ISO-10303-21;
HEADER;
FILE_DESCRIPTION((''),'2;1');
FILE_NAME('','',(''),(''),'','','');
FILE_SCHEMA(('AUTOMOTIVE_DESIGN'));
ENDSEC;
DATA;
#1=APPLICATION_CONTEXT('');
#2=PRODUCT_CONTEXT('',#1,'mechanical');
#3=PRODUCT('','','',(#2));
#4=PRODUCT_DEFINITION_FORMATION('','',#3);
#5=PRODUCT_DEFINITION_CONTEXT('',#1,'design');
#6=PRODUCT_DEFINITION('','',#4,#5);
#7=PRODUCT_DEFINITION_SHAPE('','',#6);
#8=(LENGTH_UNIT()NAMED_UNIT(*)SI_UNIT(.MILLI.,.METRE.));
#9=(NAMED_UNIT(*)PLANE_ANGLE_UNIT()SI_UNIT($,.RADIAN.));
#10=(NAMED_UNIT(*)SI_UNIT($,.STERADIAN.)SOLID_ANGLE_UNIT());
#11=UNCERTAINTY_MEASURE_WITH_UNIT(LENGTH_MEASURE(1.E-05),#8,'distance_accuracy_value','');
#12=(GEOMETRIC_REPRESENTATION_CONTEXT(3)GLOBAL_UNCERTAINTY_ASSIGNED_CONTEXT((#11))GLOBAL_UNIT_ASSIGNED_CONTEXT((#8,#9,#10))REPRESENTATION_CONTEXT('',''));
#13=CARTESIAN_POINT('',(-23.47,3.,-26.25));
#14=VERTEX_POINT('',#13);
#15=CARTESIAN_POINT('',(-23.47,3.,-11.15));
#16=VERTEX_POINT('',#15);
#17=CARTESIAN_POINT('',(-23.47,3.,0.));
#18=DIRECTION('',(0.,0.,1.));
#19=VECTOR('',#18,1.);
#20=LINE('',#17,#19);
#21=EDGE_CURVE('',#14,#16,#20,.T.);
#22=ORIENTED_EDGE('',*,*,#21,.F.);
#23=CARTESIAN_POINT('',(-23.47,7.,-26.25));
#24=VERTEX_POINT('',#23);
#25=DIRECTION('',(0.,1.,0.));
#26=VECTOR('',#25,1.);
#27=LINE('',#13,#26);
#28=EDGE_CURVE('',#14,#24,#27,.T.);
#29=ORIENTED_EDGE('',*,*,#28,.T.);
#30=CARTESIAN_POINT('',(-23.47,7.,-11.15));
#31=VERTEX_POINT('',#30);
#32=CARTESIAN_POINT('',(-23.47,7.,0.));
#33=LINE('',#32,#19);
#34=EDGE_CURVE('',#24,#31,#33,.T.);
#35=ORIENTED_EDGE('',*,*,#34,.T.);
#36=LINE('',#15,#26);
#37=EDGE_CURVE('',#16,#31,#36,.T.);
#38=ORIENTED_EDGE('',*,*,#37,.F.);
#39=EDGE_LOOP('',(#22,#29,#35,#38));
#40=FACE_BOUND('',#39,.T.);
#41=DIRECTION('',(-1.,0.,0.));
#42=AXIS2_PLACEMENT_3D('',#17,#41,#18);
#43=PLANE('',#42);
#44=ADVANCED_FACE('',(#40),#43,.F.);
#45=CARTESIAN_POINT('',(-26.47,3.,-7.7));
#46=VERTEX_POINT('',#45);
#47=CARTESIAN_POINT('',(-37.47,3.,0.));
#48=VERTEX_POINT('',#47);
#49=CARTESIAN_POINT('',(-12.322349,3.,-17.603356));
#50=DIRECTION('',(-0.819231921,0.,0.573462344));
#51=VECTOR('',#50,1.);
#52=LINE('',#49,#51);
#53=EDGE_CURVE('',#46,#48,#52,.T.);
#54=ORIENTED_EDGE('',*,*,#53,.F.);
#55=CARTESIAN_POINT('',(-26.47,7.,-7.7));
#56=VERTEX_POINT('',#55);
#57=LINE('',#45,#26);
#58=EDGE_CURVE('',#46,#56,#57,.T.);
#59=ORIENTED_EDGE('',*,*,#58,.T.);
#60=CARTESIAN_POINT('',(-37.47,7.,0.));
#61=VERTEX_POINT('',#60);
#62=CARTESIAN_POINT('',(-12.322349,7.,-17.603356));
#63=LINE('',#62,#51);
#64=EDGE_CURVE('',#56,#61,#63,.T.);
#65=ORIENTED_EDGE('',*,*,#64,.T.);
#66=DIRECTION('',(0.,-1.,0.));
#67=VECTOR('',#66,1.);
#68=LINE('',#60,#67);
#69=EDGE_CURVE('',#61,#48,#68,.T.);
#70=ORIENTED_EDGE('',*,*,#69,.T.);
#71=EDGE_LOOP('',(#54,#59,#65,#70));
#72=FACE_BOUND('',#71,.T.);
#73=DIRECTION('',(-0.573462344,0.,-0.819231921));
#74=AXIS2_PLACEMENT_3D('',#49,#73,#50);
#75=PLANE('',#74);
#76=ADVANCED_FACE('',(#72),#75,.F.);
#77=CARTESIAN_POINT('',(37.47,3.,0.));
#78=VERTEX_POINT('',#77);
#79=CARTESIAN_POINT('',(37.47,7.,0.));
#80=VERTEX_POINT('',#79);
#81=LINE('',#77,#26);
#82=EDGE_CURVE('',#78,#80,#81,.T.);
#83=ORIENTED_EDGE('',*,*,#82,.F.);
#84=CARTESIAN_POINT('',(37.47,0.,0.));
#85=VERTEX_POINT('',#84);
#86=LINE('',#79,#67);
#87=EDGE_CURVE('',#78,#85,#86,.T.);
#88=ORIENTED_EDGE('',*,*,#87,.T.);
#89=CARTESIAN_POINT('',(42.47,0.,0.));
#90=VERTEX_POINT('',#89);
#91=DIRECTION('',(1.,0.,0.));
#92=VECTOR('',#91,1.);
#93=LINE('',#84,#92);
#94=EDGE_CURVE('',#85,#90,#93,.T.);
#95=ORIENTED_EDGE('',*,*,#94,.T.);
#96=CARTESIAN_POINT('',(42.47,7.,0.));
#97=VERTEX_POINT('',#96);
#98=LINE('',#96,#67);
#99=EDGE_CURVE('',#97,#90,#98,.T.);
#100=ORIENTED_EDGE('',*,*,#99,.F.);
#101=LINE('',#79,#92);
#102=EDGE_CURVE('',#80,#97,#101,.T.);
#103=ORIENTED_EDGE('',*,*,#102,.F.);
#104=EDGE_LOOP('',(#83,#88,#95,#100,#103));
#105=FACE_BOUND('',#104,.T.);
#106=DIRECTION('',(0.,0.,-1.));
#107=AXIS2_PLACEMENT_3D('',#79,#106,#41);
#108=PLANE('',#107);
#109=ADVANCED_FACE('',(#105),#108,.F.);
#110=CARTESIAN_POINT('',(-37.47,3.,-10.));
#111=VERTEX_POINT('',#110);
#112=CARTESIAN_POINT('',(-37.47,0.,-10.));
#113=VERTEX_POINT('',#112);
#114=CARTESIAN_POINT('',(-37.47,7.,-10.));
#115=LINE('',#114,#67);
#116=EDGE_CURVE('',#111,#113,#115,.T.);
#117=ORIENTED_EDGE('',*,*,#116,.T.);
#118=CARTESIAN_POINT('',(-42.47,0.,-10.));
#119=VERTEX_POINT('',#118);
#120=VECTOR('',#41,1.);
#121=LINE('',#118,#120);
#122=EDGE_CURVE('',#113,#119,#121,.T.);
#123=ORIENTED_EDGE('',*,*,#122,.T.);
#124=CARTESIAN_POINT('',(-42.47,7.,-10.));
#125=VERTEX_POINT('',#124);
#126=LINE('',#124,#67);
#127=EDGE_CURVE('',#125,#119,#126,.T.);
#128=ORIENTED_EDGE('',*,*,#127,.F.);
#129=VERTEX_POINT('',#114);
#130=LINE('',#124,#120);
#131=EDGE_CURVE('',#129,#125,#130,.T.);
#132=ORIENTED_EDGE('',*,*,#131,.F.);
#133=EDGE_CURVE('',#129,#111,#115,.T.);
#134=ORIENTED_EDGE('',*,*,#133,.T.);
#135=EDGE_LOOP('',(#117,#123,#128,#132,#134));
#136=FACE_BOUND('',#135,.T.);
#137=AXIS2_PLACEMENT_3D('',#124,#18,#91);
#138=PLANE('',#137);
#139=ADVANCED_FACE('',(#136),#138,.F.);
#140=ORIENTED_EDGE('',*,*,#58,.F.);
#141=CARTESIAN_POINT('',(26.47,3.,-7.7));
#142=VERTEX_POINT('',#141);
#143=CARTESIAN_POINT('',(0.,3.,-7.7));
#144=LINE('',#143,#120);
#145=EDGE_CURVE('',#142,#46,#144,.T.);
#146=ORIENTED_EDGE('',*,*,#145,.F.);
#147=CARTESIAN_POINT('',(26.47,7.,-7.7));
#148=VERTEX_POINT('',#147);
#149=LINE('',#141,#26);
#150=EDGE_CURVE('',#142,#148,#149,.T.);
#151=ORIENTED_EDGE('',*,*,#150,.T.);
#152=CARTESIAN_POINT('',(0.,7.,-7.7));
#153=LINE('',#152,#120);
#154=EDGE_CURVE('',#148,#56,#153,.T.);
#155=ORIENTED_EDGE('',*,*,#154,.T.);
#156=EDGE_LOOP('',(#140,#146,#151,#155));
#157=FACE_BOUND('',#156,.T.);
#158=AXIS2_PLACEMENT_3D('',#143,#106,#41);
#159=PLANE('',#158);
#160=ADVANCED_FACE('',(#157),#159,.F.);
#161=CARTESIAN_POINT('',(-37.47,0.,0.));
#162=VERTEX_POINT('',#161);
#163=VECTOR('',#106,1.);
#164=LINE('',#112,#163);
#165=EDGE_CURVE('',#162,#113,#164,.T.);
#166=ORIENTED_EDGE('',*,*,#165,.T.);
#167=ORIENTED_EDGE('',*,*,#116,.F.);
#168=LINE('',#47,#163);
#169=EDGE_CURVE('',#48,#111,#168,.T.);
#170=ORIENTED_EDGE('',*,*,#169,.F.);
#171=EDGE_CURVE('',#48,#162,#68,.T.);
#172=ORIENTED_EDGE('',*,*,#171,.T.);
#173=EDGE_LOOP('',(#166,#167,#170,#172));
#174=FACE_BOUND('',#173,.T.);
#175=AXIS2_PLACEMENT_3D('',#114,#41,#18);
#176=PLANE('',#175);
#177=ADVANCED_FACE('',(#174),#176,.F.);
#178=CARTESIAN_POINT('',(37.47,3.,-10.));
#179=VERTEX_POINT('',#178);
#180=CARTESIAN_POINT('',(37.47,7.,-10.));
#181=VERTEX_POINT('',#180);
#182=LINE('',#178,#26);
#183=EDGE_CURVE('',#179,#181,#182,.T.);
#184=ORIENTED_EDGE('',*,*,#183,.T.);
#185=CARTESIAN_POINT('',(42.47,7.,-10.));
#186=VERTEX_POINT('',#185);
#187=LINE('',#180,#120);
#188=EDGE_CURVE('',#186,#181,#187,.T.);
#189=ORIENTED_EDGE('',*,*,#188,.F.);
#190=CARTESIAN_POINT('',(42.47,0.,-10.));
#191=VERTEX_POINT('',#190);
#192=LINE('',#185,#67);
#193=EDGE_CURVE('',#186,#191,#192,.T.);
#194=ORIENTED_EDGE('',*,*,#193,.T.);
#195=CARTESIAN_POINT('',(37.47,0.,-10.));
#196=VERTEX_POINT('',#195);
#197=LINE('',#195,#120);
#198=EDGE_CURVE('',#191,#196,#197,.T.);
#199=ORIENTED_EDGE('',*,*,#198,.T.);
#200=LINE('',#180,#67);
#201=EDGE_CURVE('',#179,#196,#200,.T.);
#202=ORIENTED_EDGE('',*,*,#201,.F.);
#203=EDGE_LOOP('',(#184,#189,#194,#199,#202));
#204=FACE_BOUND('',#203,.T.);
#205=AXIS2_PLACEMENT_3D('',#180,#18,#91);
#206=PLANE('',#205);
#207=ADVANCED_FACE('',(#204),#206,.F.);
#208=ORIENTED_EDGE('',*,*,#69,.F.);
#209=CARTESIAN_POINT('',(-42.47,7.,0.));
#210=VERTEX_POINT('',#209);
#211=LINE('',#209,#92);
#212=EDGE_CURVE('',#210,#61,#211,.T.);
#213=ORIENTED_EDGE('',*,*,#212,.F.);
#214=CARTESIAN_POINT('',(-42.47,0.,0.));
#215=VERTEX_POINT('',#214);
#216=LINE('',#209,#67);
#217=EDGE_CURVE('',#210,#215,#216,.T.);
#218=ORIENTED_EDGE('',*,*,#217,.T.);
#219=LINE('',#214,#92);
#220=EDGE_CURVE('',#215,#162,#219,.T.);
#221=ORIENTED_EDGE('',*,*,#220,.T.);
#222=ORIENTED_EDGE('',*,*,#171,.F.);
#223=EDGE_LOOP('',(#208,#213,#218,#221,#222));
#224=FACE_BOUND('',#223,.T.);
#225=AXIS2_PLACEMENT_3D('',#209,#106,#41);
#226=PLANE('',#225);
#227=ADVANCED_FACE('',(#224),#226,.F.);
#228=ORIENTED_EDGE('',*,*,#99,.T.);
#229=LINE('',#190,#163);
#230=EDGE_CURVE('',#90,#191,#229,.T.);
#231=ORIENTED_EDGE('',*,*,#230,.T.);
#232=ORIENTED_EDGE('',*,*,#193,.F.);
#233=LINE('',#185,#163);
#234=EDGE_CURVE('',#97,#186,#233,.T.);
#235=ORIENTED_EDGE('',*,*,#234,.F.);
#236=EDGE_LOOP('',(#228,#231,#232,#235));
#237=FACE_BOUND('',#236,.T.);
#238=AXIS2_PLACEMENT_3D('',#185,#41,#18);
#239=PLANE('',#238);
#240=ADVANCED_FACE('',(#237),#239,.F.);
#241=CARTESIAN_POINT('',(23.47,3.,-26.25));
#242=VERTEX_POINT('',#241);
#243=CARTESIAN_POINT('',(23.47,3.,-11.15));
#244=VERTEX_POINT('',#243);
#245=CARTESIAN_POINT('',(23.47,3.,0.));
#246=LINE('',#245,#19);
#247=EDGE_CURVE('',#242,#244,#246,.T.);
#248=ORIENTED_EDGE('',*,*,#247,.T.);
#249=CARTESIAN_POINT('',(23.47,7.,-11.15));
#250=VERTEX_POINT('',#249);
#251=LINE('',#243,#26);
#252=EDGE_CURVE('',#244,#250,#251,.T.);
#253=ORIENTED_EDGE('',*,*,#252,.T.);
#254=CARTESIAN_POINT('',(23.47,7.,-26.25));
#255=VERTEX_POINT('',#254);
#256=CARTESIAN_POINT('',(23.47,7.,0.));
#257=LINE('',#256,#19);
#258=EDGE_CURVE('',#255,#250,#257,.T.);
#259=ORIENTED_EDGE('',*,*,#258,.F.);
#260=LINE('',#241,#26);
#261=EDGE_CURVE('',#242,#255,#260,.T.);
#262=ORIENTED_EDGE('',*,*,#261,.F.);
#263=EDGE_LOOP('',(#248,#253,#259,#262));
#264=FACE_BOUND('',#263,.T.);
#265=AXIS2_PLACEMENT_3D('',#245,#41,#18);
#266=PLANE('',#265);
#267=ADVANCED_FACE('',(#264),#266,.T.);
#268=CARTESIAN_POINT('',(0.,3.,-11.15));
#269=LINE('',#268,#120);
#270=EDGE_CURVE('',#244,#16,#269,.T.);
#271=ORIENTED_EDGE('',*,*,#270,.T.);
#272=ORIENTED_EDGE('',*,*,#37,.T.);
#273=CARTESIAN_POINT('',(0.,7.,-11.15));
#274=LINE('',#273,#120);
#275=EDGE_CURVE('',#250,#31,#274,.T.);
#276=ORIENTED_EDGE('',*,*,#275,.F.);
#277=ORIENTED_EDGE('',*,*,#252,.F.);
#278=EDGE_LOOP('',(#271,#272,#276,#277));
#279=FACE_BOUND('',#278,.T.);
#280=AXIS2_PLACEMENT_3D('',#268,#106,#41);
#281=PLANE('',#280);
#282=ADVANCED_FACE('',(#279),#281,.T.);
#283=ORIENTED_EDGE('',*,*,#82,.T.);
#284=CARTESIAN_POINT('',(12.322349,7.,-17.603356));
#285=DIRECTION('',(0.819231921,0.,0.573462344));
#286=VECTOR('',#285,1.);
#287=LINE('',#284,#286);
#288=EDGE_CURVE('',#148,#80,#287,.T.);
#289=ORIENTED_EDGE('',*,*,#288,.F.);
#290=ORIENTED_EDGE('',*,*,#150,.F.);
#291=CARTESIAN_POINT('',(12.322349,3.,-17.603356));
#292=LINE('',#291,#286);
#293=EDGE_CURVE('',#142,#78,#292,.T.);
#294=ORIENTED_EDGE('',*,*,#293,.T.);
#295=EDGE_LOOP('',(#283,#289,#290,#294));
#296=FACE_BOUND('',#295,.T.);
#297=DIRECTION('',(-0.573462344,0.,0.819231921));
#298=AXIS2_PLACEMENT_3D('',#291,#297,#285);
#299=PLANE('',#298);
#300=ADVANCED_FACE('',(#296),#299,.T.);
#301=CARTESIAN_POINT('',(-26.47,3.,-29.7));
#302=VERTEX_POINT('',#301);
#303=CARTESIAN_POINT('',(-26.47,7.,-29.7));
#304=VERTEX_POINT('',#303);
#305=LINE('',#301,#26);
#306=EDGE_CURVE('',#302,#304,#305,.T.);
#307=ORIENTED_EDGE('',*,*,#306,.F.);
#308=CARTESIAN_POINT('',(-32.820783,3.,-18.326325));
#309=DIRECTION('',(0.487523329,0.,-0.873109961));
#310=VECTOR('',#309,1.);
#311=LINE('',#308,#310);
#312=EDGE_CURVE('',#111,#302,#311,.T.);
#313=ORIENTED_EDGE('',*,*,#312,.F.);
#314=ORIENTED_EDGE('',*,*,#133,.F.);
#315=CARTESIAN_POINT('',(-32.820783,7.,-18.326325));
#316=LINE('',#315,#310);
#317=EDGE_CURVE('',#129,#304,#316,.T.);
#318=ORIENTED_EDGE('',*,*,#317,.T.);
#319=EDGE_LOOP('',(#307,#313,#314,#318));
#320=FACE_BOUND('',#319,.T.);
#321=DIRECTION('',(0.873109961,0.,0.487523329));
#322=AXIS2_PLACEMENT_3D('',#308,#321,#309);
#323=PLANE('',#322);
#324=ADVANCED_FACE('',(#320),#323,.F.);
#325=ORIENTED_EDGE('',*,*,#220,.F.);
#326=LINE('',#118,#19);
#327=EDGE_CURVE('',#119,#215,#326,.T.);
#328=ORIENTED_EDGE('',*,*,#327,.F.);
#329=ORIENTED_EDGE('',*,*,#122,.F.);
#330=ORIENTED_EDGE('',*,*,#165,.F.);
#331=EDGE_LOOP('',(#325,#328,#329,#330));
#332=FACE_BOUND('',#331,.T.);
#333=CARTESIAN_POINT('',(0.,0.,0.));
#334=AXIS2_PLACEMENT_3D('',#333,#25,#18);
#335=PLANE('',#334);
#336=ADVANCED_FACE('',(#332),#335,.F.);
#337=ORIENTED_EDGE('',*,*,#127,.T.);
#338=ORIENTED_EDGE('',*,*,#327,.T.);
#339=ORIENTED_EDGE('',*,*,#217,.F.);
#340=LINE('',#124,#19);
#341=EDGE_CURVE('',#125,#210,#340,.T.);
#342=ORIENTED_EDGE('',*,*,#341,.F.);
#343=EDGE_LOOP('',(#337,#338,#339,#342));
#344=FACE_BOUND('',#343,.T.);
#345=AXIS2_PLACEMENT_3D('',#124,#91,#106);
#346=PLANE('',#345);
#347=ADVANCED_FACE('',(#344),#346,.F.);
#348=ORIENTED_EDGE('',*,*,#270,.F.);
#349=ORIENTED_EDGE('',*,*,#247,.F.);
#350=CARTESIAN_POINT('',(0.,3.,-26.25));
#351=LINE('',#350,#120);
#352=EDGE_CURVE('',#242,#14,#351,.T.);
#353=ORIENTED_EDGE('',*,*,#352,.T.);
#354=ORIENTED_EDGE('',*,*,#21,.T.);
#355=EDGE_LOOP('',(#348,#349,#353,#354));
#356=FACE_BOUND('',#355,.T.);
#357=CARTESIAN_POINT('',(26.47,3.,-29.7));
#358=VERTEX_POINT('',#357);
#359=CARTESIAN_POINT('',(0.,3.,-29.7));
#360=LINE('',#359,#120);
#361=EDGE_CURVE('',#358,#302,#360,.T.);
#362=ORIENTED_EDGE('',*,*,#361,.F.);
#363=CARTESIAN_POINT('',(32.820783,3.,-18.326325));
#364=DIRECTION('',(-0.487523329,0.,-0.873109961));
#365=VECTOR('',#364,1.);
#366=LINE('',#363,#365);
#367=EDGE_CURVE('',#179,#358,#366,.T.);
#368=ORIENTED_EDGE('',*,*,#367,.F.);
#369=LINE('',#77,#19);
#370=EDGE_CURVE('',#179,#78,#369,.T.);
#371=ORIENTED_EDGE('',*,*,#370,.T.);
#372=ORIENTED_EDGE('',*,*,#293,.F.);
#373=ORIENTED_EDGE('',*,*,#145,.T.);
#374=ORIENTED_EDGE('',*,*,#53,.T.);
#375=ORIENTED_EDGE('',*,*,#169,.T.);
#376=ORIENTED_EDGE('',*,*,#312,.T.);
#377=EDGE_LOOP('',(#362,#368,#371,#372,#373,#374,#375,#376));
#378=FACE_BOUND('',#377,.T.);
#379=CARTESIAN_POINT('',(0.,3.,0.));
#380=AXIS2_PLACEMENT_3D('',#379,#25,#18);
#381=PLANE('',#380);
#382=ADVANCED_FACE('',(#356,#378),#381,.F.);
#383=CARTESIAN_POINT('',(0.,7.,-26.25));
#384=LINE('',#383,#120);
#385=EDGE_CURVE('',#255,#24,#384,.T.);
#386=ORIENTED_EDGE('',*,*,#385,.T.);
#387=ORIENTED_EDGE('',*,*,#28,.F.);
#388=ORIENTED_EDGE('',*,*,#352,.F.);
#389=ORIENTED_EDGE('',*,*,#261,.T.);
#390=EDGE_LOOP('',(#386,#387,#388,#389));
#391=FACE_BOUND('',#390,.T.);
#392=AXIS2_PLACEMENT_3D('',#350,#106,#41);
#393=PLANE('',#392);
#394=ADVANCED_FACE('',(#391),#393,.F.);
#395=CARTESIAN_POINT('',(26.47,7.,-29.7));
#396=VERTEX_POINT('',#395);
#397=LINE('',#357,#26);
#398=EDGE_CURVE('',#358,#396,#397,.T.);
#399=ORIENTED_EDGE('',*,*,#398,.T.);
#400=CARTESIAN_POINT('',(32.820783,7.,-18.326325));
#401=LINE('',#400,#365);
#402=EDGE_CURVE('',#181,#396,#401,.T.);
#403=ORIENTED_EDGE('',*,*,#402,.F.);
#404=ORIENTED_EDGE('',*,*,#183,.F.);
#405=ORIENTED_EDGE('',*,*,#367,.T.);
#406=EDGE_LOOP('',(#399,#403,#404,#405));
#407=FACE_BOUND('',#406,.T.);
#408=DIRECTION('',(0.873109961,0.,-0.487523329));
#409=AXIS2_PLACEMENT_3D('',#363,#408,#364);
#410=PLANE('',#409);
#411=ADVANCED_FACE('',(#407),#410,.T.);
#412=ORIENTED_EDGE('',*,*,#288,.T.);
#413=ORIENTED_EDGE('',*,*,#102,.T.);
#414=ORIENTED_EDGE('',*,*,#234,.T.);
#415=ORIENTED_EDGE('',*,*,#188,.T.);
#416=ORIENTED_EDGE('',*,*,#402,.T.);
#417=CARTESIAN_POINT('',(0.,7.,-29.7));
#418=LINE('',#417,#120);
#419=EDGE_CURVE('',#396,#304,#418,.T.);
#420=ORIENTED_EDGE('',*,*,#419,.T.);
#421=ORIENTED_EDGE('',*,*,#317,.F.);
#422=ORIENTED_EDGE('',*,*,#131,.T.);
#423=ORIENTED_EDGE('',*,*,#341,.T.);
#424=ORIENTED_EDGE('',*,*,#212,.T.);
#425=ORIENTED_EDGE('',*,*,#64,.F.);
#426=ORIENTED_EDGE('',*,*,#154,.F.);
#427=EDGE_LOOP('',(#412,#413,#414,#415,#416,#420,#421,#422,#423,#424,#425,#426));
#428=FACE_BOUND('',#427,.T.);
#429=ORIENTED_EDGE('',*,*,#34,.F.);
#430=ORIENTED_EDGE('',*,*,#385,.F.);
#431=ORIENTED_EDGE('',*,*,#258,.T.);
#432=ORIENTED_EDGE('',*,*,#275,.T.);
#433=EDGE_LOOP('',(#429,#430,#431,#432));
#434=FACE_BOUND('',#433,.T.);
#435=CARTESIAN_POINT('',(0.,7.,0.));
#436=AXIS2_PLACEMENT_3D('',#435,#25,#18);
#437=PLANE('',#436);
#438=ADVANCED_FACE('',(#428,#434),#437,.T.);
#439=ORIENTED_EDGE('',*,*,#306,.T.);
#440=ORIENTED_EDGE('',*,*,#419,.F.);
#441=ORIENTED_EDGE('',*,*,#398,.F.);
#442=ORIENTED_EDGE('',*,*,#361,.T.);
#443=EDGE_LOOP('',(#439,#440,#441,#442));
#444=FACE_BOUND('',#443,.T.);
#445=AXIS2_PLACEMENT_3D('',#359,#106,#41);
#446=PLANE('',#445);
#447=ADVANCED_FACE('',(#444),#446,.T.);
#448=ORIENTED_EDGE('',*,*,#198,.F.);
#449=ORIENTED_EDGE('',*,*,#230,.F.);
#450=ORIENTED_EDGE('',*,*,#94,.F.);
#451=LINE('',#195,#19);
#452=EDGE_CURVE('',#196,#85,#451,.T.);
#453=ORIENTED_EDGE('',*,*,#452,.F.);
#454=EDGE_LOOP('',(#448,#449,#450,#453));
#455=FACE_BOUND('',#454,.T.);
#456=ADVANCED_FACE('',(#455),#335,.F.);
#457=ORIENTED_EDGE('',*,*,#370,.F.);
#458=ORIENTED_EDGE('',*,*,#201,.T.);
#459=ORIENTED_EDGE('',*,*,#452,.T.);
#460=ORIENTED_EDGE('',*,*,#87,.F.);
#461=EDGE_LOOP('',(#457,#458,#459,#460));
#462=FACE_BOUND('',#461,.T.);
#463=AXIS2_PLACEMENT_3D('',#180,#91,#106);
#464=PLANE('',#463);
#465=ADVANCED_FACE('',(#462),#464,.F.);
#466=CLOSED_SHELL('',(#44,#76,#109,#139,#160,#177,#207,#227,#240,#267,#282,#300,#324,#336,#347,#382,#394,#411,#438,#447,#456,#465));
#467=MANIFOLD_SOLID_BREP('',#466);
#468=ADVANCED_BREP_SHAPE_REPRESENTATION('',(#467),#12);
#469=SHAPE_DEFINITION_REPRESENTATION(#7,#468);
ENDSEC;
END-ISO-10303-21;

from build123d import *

# Parameters (mm, degrees)
SKETCH_1_W        = 5
SKETCH_1_H        = 10
EXTRUDE_1_DEPTH   = 7
EXTRUDE_1_2_DEPTH = 7
EXTRUDE_2_DEPTH   = 4


with BuildPart() as part:
    # Эскиз1 → Бобышка-Вытянуть1 (new body)
    with BuildSketch(Plane(origin=(0, 0, 0), x_dir=(1, 0, 0), z_dir=(0, 1, 0))):
        with Locations((-39.97, 5)):
            Rectangle(SKETCH_1_W, SKETCH_1_H)
    extrude(amount=EXTRUDE_1_DEPTH)



with BuildPart() as body_2:
    # Эскиз1 → Extrude 1 2 (new body)
    with BuildSketch(Plane(origin=(0, 0, 0), x_dir=(1, 0, 0), z_dir=(0, 1, 0))):
        with Locations((39.97, 5)):
            Rectangle(SKETCH_1_W, SKETCH_1_H)
    extrude(amount=EXTRUDE_1_2_DEPTH)


with BuildPart() as part_1:
    add(part.part)

    add(body_2.part)  # Бобышка-Вытянуть2 merges body 2
    # Эскиз2 → Бобышка-Вытянуть2 (add)
    with BuildSketch(Plane(origin=(0, 7, 0), x_dir=(1, 0, 0), z_dir=(0, 1, 0))):
        Polygon((0, 26.25), (0, 29.7), (-26.47, 29.7), (-26.47, 26.25), (-23.47, 26.25), align=None)
        Polygon((-26.47, 26.25), (-26.47, 29.7), (-37.47, 10), (-37.47, 0), (-26.47, 7.7), (-26.47, 11.15), (-23.47, 11.15), (-23.47, 26.25), align=None)
        Polygon((26.47, 26.25), (26.47, 29.7), (0, 29.7), (0, 26.25), (23.47, 26.25), align=None)
        Polygon((23.47, 11.15), (0, 11.15), (0, 7.7), (26.47, 7.7), (26.47, 11.15), align=None)
        Polygon((0, 7.7), (0, 11.15), (-23.47, 11.15), (-26.47, 11.15), (-26.47, 7.7), align=None)
        Polygon((37.47, 10), (26.47, 29.7), (26.47, 26.25), (23.47, 26.25), (23.47, 11.15), (26.47, 11.15), (26.47, 7.7), (37.47, 0), align=None)
    extrude(amount=-EXTRUDE_2_DEPTH)


solid = part_1.part
